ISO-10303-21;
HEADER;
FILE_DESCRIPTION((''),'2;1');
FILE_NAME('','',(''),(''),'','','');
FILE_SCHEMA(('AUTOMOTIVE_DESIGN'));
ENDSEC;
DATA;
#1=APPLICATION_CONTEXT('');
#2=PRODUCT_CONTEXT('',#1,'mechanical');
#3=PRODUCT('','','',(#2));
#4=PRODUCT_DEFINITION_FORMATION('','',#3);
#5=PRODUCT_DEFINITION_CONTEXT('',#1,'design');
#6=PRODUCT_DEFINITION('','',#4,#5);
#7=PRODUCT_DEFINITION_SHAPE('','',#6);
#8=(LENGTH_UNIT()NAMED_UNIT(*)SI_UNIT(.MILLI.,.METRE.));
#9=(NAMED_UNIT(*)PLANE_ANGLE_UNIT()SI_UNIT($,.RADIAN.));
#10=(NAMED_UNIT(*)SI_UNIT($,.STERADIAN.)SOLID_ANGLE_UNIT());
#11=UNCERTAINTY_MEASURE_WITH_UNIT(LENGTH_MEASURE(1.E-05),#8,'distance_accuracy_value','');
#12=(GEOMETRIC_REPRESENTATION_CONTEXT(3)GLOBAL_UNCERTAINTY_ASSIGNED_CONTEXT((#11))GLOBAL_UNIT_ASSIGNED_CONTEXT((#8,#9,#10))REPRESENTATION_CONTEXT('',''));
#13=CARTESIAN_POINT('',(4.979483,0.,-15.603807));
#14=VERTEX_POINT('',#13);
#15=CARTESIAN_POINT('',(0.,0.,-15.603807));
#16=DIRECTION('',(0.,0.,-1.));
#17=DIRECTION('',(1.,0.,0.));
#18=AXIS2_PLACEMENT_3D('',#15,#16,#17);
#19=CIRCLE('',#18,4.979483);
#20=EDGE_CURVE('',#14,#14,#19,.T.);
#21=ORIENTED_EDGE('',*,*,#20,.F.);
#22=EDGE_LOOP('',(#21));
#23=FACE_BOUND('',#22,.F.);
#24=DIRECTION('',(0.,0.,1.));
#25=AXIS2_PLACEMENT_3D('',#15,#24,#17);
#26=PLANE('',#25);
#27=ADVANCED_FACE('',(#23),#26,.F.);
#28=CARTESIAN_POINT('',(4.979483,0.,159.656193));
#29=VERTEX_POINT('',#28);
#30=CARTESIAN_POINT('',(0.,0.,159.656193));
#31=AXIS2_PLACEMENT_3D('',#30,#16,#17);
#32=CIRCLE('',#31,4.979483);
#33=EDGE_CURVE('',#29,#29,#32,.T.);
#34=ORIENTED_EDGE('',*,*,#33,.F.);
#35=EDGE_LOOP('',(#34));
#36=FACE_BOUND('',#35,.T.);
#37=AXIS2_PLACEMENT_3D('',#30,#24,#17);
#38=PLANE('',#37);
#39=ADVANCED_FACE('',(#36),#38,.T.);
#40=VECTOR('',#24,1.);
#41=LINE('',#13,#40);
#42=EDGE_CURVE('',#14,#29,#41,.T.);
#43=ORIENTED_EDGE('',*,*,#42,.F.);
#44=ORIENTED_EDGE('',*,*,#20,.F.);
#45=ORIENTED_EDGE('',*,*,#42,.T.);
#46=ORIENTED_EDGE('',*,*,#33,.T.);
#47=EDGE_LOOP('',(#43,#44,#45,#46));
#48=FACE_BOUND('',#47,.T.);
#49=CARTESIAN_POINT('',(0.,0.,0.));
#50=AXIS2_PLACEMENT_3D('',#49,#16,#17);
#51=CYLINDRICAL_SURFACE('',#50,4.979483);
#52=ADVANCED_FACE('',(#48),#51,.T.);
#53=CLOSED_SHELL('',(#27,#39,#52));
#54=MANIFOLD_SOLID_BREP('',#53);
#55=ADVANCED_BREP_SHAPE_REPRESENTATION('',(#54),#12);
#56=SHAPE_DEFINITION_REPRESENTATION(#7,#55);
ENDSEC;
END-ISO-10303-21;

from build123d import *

# Parameters (mm, degrees)
F0_R     = 4.9794833567
F3_DEPTH = 175.26


with BuildPart() as f2:
    # F2: sweep along a path in F1
    with BuildLine(Plane.XZ) as f2_path:
        Line((0, 0), (0, -15.6038068235))
    # F0 (on Top) → F2 (sweep)
    with BuildSketch(Plane.XY):
        Circle(F0_R)
    sweep(path=f2_path.line)

    # F3 (add): a face of the model
    f3_faces = [f2.faces().sort_by_distance(p)[0] for p in [
        (0, 0, -15.6038068235),
    ]]
    extrude(f3_faces, amount=-F3_DEPTH)


solid = f2.part
